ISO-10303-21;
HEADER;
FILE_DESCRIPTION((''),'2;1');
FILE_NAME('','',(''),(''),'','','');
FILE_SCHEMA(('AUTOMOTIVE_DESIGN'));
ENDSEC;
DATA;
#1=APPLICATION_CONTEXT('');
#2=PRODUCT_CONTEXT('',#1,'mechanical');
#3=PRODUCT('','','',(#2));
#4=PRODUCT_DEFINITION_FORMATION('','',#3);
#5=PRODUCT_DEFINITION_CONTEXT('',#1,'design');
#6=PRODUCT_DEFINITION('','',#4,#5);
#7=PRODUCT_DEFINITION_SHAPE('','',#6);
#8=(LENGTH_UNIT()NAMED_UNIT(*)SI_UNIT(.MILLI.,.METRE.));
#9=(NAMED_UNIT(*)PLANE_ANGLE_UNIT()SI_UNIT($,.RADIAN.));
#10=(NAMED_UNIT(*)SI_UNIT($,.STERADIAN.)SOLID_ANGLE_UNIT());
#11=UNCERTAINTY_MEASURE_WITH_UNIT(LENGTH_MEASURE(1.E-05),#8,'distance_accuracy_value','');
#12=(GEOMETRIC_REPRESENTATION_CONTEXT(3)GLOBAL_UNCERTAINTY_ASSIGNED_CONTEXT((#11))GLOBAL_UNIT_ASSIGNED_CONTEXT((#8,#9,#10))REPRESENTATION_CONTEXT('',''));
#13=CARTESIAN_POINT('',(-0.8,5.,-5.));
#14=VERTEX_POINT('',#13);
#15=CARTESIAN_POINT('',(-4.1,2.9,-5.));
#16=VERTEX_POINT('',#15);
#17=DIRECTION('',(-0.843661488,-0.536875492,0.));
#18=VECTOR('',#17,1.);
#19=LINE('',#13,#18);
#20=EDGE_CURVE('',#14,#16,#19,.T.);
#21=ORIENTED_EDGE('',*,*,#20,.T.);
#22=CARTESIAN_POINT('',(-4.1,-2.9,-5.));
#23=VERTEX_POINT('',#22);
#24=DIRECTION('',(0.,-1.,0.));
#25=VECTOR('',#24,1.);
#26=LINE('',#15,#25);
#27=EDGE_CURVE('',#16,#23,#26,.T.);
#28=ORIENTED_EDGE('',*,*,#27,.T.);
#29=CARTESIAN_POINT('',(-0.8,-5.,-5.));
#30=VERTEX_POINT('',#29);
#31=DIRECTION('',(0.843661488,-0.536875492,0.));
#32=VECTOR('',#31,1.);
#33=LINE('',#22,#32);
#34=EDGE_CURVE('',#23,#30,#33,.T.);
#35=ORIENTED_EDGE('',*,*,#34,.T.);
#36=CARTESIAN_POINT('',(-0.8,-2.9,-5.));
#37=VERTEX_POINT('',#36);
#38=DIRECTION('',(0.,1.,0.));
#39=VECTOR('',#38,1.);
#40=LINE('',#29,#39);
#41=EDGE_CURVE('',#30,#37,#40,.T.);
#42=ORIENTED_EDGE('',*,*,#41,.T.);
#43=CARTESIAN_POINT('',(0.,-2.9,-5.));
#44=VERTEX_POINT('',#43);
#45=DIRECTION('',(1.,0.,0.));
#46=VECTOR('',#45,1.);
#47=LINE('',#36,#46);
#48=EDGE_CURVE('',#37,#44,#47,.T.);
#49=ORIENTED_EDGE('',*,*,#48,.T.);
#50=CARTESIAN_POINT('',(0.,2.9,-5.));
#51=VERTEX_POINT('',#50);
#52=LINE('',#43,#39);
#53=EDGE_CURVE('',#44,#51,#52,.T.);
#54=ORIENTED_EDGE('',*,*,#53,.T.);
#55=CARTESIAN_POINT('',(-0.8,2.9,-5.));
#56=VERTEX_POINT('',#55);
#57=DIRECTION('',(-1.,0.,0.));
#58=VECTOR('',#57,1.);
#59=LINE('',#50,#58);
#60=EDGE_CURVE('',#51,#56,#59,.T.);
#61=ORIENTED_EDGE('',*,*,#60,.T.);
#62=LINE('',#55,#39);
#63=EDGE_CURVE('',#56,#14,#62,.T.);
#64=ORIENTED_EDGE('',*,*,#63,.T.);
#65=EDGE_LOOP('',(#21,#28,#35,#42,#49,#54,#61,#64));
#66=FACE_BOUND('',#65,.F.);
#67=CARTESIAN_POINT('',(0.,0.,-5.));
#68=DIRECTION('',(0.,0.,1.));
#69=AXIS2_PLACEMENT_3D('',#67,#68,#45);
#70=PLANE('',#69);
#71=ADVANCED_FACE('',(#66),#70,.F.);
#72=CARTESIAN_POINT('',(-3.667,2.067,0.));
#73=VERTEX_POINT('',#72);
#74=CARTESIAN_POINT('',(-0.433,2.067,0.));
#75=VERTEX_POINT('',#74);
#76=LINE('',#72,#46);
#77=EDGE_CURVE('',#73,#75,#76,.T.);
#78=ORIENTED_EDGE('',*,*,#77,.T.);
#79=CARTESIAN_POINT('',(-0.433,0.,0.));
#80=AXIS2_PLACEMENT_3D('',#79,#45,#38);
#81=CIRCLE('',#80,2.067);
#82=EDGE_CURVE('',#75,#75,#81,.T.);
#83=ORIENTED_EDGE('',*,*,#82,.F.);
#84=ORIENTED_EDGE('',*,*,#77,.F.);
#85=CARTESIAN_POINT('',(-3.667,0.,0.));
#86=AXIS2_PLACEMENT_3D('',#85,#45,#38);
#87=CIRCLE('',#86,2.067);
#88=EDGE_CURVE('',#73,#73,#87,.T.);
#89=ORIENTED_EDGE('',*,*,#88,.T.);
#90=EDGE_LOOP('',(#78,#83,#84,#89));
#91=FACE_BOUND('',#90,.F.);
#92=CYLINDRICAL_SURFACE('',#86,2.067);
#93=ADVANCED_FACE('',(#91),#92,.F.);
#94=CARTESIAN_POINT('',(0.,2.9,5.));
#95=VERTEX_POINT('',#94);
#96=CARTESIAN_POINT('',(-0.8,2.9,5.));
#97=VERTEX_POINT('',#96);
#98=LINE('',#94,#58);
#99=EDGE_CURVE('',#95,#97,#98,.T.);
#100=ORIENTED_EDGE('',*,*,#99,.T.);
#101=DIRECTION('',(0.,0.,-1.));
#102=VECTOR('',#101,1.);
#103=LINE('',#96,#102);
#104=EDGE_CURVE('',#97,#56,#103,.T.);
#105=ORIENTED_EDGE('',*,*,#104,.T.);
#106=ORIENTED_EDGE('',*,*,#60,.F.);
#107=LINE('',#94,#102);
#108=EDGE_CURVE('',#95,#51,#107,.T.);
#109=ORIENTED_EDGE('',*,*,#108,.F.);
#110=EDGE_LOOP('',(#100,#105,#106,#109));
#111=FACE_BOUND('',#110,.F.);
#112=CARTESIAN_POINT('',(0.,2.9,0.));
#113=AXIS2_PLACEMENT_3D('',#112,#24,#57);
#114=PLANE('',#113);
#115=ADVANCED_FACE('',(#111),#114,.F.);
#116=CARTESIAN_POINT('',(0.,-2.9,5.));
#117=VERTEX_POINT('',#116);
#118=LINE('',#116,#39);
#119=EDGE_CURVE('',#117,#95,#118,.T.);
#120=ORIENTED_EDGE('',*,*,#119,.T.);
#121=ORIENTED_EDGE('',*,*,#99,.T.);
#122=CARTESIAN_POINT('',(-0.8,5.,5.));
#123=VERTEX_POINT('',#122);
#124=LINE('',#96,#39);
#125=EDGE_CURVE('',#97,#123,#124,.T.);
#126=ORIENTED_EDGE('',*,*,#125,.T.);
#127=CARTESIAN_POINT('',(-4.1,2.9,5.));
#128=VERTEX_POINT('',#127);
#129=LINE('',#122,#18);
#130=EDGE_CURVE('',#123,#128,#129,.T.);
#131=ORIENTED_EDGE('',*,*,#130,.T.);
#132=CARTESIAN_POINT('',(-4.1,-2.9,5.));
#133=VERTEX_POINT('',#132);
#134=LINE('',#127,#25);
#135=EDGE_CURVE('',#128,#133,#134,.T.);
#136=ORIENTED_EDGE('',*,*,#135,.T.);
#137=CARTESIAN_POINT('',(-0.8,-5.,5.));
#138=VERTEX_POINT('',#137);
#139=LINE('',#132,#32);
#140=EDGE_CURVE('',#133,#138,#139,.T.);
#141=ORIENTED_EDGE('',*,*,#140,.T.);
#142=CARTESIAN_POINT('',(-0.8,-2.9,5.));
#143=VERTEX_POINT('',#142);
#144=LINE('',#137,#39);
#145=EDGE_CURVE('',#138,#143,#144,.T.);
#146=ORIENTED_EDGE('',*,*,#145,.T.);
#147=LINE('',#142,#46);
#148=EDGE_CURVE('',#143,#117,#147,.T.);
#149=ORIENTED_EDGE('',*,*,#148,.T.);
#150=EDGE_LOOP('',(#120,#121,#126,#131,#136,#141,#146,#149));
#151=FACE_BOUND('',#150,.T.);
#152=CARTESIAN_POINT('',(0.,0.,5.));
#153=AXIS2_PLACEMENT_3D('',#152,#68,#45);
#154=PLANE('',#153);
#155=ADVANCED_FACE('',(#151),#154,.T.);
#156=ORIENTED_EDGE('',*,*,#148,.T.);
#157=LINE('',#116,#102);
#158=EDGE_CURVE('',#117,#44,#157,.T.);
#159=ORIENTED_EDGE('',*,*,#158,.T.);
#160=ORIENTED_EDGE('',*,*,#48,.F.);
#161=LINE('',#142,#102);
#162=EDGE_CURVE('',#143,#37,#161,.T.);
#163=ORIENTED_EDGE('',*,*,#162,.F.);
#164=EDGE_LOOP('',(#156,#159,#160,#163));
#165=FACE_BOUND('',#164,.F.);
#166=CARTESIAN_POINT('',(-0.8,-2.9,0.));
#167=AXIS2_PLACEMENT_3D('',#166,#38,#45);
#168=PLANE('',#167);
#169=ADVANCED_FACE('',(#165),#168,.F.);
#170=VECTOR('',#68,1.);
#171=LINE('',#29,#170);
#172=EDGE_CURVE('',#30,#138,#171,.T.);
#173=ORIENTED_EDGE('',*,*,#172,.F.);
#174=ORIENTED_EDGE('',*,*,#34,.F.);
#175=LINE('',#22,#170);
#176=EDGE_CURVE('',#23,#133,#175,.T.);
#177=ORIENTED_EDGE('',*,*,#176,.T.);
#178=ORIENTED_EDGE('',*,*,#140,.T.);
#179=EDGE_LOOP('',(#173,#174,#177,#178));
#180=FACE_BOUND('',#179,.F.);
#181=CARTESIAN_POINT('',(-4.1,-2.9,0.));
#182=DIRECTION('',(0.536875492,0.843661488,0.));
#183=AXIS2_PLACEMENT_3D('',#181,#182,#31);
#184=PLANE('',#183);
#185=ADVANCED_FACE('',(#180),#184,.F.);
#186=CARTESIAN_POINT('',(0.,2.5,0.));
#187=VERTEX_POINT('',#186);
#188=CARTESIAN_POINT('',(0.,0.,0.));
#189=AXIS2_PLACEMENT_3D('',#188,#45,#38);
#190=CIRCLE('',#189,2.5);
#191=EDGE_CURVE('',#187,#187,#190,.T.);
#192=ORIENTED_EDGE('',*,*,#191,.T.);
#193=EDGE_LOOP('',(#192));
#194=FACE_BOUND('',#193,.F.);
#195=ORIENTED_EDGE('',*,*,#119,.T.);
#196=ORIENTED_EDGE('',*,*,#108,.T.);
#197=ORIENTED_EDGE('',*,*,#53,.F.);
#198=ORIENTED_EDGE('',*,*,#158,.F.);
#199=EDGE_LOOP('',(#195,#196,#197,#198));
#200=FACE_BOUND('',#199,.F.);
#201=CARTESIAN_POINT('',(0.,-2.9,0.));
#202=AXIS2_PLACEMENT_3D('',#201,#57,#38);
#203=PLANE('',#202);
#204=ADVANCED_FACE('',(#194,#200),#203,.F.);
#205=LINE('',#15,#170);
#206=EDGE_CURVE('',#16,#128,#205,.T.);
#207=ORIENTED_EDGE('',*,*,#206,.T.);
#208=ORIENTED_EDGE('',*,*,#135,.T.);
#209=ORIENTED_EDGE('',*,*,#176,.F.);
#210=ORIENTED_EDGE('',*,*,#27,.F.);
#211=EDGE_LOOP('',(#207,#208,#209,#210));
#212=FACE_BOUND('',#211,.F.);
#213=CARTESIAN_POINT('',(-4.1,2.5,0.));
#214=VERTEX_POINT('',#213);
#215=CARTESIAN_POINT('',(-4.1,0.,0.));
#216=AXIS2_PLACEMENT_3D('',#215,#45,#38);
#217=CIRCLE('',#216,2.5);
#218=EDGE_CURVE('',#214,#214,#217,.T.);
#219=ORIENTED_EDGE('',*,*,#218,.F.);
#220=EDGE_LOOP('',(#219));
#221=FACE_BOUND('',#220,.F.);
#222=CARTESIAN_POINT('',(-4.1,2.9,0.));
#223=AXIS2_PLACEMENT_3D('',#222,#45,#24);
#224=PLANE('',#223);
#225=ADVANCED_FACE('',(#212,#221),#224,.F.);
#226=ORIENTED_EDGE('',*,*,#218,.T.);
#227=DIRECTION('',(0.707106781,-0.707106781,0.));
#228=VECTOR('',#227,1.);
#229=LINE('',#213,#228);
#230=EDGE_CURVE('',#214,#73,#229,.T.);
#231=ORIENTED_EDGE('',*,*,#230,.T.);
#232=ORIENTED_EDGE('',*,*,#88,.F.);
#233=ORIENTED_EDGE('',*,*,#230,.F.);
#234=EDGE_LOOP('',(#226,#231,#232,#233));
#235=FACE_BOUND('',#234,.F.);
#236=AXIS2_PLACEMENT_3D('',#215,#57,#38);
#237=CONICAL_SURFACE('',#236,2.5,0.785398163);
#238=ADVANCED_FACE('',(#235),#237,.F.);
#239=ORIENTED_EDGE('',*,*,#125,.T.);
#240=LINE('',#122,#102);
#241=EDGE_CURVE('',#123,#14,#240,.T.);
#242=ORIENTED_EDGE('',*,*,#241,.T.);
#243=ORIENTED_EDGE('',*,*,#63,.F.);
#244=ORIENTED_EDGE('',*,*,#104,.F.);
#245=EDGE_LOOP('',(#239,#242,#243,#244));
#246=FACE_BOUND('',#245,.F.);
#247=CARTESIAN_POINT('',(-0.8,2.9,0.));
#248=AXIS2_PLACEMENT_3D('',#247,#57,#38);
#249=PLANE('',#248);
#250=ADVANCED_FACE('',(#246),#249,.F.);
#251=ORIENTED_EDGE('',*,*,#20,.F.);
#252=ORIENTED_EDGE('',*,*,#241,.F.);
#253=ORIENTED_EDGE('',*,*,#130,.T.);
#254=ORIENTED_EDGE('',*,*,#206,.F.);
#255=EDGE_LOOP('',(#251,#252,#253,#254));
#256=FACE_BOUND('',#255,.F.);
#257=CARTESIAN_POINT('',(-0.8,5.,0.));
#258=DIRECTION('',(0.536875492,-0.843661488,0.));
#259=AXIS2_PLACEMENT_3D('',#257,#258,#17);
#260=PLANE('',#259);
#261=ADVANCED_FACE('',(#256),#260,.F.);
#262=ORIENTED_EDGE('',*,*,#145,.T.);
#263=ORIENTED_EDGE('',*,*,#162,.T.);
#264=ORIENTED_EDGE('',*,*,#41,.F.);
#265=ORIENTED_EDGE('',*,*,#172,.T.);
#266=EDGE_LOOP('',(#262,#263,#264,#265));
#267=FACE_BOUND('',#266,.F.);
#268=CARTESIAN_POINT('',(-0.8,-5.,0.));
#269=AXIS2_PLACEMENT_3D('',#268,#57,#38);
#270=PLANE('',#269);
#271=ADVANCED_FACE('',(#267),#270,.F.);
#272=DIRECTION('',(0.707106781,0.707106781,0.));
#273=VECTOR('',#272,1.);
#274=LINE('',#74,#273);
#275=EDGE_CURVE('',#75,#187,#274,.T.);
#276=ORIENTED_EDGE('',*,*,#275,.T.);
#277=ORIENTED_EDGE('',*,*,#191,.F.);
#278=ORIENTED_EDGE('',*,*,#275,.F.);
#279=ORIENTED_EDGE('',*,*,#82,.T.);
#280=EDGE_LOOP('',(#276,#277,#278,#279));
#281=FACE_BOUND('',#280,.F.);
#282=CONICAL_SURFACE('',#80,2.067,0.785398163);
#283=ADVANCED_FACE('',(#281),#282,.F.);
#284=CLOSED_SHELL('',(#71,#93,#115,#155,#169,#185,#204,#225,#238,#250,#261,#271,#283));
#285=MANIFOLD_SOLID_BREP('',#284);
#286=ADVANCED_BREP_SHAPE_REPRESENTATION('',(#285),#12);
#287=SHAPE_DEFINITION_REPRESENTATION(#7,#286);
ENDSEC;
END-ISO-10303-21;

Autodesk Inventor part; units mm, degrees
sketch "Sketch_4" plane through (0, 0, 0) normal (0, 0, 1) x (1, 0, 0)
  line L0 (-4.1, 2.9) -> (-4.1, -2.9)
  line L1 (-4.1, -2.9) -> (-0.8, -5)
  line L2 (-0.8, -5) -> (-0.8, -2.9)
  line L3 (-0.8, -2.9) -> (0, -2.9)
  line L4 (0, -2.9) -> (0, 2.9)
  line L5 (0, 2.9) -> (-0.8, 2.9)
  line L6 (-0.8, 2.9) -> (-0.8, 5)
  line L7 (-0.8, 5) -> (-4.1, 2.9)
extrude "Extrusion1" add sketch "Sketch_4" along normal mid plane 10
sketch "Sketch_5" plane through (0, 0, 0) normal (0, 0, 1) x (1, 0, 0)
  line L0 (0, 0) -> (-4.1, 0)
  line L1 (-4.1, 0) -> (-4.1, 2.5)
  line L2 (-4.1, 2.5) -> (-3.667, 2.067)
  line L3 (-3.667, 2.067) -> (-0.433, 2.067)
  line L4 (-0.433, 2.067) -> (0, 2.5)
  line L5 (0, 2.5) -> (0, 0)
  line L6 (0, 0) -> (-4.1, 0)
revolve "Revolution1" cut sketch "Sketch_5" angle 360 about axis through (0, 0, 0) along (1, 0, 0)
thread "Thread1" size "M5x0.8" class "6H" standard "ISO Metric profile" full length
ref_plane "nut_XY" through (0, 0, 0) normal (1, 0, 0) x (0, 0, -1)
ref_plane "nut_YZ" through (0, 0, 0) normal (0, 0, -1) x (0, 1, 0)
ref_plane "nut_ZX" through (0, 0, 0) normal (0, 1, 0) x (1, 0, 0)
ref_plane "to_bolt_XY" through (-4.1, 0, 0) normal (1, 0, 0) x (0, 0, -1)
ref_plane "to_bolt_YZ" through (-4.1, 0, 0) normal (0, 0, -1) x (0, 1, 0)
ref_plane "to_bolt_ZX" through (-4.1, 0, 0) normal (0, 1, 0) x (1, 0, 0)
ref_plane "to_frames_XY" through (-0.8, 0, 0) normal (1, 0, 0) x (0, 0, -1)
ref_plane "to_frames_YZ" through (-0.8, 0, 0) normal (0, 0, -1) x (0, 1, 0)
ref_plane "to_frames_ZX" through (-0.8, 0, 0) normal (0, 1, 0) x (1, 0, 0)
properties part number "HNTT5-5"
